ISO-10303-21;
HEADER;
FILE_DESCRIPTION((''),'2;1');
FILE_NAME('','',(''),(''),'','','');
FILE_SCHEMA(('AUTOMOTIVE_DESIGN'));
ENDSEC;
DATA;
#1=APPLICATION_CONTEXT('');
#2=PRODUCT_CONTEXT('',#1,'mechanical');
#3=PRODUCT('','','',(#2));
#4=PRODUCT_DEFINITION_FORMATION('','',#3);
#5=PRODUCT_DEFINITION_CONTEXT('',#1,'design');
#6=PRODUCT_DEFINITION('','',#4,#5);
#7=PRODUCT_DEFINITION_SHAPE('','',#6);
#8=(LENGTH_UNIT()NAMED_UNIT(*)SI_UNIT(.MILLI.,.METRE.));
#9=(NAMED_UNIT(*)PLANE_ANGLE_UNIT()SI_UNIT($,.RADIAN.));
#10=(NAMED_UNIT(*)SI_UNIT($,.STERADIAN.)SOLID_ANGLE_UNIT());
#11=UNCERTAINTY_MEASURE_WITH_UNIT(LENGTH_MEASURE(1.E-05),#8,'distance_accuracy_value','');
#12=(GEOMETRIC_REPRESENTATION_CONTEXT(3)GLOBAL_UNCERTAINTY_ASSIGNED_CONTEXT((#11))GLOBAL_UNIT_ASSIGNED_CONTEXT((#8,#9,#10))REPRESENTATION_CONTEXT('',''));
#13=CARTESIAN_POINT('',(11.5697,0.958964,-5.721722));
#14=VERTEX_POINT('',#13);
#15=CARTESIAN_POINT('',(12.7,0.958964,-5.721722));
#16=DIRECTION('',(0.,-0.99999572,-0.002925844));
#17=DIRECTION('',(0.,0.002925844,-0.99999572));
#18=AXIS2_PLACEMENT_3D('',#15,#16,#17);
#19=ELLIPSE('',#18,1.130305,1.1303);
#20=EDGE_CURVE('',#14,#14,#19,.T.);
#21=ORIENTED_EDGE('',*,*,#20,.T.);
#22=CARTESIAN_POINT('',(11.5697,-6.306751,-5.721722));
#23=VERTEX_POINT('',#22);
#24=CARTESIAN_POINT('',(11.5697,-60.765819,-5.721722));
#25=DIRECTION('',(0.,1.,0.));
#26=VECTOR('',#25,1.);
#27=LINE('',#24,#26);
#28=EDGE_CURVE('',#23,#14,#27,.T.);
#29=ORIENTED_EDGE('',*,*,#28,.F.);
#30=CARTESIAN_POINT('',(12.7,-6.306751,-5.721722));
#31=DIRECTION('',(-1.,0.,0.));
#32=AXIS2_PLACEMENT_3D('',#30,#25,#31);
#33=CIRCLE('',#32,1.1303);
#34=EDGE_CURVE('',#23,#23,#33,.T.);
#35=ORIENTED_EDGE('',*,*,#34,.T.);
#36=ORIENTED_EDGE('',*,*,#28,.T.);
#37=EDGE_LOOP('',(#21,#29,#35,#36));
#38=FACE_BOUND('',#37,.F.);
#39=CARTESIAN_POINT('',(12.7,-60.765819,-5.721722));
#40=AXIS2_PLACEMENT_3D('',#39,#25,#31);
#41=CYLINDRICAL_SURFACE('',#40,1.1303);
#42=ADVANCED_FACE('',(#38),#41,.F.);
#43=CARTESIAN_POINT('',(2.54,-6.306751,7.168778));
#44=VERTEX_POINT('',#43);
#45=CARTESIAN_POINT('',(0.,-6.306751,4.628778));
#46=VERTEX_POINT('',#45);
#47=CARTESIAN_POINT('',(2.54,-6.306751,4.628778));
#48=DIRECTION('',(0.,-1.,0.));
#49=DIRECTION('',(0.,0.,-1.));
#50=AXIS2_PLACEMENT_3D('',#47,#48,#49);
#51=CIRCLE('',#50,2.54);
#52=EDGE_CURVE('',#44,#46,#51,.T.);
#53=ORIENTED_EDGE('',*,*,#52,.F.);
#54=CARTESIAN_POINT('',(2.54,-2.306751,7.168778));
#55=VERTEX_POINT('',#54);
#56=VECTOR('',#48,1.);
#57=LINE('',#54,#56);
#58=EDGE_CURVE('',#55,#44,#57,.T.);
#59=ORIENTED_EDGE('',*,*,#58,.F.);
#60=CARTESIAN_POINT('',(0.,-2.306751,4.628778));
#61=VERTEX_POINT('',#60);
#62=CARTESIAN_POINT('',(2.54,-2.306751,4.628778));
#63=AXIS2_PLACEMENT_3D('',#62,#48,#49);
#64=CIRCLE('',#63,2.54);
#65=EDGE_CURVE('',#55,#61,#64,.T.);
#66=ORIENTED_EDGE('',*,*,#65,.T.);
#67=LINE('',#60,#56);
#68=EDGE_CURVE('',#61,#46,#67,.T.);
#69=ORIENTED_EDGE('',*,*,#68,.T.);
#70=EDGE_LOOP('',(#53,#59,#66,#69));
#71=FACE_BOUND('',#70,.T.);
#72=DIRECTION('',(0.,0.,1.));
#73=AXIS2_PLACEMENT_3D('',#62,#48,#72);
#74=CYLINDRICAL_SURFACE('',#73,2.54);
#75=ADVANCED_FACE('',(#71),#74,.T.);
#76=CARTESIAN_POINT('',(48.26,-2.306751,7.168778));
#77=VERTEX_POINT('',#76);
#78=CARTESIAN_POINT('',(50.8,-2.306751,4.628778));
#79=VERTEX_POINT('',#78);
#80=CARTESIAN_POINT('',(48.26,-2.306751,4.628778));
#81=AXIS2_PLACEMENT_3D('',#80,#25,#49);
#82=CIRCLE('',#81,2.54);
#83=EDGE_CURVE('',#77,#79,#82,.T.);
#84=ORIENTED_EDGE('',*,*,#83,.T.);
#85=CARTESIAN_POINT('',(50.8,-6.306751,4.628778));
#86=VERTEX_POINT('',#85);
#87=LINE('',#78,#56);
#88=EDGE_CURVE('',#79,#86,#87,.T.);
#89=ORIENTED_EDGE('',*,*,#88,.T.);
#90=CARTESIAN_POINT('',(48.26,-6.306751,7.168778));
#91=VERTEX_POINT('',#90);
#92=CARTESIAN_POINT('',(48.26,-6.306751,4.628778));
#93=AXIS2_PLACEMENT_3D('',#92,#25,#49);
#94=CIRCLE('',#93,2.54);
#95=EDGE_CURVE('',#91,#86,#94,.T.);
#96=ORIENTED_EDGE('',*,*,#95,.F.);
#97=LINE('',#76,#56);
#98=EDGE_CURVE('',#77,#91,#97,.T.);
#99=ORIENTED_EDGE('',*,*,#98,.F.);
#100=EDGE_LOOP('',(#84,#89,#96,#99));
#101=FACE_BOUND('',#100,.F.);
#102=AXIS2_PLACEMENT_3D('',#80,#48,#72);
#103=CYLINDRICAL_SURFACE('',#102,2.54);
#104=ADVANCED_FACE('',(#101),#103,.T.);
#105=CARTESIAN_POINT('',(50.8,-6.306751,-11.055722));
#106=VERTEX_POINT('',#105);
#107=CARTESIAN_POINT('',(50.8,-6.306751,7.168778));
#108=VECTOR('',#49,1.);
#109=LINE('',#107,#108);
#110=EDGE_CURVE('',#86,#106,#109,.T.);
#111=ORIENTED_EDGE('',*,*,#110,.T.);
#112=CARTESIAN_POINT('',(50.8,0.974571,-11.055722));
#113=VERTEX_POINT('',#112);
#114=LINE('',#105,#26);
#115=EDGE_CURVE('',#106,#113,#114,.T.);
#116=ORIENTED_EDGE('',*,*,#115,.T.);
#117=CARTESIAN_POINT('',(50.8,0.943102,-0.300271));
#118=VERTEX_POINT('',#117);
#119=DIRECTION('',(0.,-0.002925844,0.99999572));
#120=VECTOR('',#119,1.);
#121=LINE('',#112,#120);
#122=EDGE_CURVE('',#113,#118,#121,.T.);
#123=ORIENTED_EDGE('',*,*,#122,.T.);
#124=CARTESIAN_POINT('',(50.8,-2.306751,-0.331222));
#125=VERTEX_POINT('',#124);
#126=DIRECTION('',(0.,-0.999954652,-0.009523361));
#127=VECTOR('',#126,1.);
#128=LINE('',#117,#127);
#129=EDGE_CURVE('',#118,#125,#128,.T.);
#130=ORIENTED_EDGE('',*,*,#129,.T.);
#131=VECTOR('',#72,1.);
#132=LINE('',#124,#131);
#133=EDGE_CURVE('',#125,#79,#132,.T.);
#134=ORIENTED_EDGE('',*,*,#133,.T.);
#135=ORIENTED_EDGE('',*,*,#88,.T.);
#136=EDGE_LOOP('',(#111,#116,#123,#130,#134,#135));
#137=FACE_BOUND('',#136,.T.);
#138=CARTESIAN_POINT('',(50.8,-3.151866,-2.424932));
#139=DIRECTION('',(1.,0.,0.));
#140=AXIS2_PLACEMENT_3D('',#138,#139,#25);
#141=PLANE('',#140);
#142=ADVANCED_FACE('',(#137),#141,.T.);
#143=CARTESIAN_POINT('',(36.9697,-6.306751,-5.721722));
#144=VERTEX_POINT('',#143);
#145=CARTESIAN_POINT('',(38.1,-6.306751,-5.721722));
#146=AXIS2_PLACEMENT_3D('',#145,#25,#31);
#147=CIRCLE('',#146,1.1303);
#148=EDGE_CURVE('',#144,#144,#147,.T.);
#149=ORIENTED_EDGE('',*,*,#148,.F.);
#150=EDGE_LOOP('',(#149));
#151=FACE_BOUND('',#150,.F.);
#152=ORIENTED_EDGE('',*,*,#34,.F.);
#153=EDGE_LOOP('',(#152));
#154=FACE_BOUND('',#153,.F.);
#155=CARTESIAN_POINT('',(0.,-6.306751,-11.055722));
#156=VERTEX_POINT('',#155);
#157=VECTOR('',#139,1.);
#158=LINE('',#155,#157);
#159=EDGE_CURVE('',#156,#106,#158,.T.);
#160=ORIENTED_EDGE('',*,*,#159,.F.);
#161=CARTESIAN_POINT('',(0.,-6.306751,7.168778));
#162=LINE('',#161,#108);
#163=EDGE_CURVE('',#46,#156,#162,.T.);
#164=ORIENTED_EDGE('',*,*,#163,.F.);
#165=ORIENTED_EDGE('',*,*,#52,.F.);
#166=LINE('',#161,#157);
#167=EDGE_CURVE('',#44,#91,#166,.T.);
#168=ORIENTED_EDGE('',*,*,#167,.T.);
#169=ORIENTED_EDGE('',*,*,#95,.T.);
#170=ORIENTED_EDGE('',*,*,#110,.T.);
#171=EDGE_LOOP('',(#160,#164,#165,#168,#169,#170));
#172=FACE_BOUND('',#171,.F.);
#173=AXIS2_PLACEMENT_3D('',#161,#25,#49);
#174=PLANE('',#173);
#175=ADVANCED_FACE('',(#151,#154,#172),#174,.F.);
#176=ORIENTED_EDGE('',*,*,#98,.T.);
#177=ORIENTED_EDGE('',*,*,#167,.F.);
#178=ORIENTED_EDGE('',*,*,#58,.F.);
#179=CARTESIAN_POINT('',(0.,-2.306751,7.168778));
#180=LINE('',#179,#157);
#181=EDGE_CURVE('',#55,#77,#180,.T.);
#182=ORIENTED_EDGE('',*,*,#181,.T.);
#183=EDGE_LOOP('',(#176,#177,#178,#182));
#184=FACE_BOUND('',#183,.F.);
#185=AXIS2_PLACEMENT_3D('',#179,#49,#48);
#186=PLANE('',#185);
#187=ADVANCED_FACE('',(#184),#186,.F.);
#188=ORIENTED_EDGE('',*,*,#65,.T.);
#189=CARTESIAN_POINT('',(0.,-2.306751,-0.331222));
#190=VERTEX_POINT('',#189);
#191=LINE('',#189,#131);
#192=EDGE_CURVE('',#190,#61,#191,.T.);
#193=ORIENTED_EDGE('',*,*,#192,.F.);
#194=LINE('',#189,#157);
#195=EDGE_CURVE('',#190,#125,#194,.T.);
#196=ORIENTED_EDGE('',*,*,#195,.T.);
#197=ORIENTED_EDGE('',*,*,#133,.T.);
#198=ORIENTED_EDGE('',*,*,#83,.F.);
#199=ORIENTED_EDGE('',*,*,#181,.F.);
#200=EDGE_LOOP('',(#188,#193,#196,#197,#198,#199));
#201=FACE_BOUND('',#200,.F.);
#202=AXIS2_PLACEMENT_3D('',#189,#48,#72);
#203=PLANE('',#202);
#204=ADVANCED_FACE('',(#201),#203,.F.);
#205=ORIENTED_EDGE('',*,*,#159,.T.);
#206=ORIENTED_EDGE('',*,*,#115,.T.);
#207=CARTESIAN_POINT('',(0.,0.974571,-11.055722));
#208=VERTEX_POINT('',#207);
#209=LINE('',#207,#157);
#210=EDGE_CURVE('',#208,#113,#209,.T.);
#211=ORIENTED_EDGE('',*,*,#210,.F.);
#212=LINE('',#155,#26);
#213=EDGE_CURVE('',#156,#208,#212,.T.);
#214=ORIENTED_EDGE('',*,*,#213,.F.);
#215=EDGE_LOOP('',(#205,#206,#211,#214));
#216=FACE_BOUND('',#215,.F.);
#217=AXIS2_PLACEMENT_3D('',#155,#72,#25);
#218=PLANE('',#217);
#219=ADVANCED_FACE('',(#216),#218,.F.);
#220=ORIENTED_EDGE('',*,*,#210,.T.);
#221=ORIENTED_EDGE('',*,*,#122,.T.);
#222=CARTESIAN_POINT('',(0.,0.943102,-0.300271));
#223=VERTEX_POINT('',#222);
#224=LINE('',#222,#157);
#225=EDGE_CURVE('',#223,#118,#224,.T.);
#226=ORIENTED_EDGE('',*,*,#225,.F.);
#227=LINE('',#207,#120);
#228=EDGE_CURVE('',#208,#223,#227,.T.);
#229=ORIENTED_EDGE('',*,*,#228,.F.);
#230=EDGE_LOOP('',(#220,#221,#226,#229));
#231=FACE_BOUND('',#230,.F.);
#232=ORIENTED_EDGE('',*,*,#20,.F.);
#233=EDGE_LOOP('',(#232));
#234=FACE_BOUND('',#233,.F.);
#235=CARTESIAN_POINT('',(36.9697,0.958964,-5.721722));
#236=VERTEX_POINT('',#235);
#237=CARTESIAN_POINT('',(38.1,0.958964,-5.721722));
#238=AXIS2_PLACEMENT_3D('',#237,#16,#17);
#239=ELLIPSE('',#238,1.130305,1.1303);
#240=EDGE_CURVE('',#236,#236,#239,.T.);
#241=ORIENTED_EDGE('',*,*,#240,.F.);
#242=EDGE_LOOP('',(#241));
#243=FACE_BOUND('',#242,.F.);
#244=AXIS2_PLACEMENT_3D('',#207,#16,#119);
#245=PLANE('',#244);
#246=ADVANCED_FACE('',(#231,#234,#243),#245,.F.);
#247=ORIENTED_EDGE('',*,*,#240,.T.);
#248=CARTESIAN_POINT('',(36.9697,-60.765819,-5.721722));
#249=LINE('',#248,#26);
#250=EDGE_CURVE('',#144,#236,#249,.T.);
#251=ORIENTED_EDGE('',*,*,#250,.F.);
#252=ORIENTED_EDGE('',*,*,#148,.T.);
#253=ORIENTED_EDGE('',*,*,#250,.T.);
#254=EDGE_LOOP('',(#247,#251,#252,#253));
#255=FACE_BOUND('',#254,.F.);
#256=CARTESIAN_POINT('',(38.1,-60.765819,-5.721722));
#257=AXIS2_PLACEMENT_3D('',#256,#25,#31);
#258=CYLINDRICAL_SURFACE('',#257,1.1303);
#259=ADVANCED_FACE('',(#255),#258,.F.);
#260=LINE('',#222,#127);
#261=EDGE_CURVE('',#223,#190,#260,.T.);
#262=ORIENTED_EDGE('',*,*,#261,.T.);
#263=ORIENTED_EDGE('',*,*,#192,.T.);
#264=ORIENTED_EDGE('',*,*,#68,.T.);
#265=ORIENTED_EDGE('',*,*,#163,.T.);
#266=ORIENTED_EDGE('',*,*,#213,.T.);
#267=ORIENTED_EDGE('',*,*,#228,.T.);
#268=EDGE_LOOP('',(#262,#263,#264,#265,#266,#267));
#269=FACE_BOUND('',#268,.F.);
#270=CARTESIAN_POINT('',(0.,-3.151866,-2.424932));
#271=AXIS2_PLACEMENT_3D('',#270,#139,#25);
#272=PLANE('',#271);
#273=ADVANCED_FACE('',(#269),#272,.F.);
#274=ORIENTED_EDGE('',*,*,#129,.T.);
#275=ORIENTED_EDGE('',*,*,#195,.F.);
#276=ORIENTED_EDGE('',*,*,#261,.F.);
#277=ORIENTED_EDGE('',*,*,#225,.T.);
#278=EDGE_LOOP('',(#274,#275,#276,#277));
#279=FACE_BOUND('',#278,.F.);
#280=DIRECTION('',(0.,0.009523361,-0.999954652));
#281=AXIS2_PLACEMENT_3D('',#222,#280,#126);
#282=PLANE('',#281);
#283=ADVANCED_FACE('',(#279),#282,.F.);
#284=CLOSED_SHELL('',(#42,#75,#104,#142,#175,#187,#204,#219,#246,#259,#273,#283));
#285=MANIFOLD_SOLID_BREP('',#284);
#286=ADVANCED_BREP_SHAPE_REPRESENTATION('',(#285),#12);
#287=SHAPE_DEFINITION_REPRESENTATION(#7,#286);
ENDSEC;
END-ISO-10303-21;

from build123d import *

# Parameters (mm, degrees)
F1_DEPTH = 50.8
F3_D     = 2.2606
F4_R     = 2.54
F5_R     = 2.54


with BuildPart() as f1:
    # F0 (on Right) → F1 (new body)
    with BuildSketch(Plane.YZ):
        Polygon((-2.3067509514, -0.331221791), (-2.3067509514, 7.168778209), (-6.3067509514, 7.168778209), (-6.3067509514, -11.055721791), (0.9745705689, -11.055721791), (0.9431016669, -0.3002708691), align=None)
    extrude(amount=F1_DEPTH)

    # F3 (through all)
    with Locations(Plane.XZ.offset(6.3067509514)):
        with Locations((12.7, -5.721721791), (38.1, -5.721721791)):
            Hole(F3_D / 2)

    # F4
    f4_edges = [f1.edges().sort_by_distance(p)[0] for p in [
        (50.8, -4.306751, 7.168778),
    ]]
    fillet(f4_edges, radius=F4_R)

    # F5
    f5_edges = [f1.edges().sort_by_distance(p)[0] for p in [
        (0, -4.306751, 7.168778),
    ]]
    fillet(f5_edges, radius=F5_R)


solid = f1.part
